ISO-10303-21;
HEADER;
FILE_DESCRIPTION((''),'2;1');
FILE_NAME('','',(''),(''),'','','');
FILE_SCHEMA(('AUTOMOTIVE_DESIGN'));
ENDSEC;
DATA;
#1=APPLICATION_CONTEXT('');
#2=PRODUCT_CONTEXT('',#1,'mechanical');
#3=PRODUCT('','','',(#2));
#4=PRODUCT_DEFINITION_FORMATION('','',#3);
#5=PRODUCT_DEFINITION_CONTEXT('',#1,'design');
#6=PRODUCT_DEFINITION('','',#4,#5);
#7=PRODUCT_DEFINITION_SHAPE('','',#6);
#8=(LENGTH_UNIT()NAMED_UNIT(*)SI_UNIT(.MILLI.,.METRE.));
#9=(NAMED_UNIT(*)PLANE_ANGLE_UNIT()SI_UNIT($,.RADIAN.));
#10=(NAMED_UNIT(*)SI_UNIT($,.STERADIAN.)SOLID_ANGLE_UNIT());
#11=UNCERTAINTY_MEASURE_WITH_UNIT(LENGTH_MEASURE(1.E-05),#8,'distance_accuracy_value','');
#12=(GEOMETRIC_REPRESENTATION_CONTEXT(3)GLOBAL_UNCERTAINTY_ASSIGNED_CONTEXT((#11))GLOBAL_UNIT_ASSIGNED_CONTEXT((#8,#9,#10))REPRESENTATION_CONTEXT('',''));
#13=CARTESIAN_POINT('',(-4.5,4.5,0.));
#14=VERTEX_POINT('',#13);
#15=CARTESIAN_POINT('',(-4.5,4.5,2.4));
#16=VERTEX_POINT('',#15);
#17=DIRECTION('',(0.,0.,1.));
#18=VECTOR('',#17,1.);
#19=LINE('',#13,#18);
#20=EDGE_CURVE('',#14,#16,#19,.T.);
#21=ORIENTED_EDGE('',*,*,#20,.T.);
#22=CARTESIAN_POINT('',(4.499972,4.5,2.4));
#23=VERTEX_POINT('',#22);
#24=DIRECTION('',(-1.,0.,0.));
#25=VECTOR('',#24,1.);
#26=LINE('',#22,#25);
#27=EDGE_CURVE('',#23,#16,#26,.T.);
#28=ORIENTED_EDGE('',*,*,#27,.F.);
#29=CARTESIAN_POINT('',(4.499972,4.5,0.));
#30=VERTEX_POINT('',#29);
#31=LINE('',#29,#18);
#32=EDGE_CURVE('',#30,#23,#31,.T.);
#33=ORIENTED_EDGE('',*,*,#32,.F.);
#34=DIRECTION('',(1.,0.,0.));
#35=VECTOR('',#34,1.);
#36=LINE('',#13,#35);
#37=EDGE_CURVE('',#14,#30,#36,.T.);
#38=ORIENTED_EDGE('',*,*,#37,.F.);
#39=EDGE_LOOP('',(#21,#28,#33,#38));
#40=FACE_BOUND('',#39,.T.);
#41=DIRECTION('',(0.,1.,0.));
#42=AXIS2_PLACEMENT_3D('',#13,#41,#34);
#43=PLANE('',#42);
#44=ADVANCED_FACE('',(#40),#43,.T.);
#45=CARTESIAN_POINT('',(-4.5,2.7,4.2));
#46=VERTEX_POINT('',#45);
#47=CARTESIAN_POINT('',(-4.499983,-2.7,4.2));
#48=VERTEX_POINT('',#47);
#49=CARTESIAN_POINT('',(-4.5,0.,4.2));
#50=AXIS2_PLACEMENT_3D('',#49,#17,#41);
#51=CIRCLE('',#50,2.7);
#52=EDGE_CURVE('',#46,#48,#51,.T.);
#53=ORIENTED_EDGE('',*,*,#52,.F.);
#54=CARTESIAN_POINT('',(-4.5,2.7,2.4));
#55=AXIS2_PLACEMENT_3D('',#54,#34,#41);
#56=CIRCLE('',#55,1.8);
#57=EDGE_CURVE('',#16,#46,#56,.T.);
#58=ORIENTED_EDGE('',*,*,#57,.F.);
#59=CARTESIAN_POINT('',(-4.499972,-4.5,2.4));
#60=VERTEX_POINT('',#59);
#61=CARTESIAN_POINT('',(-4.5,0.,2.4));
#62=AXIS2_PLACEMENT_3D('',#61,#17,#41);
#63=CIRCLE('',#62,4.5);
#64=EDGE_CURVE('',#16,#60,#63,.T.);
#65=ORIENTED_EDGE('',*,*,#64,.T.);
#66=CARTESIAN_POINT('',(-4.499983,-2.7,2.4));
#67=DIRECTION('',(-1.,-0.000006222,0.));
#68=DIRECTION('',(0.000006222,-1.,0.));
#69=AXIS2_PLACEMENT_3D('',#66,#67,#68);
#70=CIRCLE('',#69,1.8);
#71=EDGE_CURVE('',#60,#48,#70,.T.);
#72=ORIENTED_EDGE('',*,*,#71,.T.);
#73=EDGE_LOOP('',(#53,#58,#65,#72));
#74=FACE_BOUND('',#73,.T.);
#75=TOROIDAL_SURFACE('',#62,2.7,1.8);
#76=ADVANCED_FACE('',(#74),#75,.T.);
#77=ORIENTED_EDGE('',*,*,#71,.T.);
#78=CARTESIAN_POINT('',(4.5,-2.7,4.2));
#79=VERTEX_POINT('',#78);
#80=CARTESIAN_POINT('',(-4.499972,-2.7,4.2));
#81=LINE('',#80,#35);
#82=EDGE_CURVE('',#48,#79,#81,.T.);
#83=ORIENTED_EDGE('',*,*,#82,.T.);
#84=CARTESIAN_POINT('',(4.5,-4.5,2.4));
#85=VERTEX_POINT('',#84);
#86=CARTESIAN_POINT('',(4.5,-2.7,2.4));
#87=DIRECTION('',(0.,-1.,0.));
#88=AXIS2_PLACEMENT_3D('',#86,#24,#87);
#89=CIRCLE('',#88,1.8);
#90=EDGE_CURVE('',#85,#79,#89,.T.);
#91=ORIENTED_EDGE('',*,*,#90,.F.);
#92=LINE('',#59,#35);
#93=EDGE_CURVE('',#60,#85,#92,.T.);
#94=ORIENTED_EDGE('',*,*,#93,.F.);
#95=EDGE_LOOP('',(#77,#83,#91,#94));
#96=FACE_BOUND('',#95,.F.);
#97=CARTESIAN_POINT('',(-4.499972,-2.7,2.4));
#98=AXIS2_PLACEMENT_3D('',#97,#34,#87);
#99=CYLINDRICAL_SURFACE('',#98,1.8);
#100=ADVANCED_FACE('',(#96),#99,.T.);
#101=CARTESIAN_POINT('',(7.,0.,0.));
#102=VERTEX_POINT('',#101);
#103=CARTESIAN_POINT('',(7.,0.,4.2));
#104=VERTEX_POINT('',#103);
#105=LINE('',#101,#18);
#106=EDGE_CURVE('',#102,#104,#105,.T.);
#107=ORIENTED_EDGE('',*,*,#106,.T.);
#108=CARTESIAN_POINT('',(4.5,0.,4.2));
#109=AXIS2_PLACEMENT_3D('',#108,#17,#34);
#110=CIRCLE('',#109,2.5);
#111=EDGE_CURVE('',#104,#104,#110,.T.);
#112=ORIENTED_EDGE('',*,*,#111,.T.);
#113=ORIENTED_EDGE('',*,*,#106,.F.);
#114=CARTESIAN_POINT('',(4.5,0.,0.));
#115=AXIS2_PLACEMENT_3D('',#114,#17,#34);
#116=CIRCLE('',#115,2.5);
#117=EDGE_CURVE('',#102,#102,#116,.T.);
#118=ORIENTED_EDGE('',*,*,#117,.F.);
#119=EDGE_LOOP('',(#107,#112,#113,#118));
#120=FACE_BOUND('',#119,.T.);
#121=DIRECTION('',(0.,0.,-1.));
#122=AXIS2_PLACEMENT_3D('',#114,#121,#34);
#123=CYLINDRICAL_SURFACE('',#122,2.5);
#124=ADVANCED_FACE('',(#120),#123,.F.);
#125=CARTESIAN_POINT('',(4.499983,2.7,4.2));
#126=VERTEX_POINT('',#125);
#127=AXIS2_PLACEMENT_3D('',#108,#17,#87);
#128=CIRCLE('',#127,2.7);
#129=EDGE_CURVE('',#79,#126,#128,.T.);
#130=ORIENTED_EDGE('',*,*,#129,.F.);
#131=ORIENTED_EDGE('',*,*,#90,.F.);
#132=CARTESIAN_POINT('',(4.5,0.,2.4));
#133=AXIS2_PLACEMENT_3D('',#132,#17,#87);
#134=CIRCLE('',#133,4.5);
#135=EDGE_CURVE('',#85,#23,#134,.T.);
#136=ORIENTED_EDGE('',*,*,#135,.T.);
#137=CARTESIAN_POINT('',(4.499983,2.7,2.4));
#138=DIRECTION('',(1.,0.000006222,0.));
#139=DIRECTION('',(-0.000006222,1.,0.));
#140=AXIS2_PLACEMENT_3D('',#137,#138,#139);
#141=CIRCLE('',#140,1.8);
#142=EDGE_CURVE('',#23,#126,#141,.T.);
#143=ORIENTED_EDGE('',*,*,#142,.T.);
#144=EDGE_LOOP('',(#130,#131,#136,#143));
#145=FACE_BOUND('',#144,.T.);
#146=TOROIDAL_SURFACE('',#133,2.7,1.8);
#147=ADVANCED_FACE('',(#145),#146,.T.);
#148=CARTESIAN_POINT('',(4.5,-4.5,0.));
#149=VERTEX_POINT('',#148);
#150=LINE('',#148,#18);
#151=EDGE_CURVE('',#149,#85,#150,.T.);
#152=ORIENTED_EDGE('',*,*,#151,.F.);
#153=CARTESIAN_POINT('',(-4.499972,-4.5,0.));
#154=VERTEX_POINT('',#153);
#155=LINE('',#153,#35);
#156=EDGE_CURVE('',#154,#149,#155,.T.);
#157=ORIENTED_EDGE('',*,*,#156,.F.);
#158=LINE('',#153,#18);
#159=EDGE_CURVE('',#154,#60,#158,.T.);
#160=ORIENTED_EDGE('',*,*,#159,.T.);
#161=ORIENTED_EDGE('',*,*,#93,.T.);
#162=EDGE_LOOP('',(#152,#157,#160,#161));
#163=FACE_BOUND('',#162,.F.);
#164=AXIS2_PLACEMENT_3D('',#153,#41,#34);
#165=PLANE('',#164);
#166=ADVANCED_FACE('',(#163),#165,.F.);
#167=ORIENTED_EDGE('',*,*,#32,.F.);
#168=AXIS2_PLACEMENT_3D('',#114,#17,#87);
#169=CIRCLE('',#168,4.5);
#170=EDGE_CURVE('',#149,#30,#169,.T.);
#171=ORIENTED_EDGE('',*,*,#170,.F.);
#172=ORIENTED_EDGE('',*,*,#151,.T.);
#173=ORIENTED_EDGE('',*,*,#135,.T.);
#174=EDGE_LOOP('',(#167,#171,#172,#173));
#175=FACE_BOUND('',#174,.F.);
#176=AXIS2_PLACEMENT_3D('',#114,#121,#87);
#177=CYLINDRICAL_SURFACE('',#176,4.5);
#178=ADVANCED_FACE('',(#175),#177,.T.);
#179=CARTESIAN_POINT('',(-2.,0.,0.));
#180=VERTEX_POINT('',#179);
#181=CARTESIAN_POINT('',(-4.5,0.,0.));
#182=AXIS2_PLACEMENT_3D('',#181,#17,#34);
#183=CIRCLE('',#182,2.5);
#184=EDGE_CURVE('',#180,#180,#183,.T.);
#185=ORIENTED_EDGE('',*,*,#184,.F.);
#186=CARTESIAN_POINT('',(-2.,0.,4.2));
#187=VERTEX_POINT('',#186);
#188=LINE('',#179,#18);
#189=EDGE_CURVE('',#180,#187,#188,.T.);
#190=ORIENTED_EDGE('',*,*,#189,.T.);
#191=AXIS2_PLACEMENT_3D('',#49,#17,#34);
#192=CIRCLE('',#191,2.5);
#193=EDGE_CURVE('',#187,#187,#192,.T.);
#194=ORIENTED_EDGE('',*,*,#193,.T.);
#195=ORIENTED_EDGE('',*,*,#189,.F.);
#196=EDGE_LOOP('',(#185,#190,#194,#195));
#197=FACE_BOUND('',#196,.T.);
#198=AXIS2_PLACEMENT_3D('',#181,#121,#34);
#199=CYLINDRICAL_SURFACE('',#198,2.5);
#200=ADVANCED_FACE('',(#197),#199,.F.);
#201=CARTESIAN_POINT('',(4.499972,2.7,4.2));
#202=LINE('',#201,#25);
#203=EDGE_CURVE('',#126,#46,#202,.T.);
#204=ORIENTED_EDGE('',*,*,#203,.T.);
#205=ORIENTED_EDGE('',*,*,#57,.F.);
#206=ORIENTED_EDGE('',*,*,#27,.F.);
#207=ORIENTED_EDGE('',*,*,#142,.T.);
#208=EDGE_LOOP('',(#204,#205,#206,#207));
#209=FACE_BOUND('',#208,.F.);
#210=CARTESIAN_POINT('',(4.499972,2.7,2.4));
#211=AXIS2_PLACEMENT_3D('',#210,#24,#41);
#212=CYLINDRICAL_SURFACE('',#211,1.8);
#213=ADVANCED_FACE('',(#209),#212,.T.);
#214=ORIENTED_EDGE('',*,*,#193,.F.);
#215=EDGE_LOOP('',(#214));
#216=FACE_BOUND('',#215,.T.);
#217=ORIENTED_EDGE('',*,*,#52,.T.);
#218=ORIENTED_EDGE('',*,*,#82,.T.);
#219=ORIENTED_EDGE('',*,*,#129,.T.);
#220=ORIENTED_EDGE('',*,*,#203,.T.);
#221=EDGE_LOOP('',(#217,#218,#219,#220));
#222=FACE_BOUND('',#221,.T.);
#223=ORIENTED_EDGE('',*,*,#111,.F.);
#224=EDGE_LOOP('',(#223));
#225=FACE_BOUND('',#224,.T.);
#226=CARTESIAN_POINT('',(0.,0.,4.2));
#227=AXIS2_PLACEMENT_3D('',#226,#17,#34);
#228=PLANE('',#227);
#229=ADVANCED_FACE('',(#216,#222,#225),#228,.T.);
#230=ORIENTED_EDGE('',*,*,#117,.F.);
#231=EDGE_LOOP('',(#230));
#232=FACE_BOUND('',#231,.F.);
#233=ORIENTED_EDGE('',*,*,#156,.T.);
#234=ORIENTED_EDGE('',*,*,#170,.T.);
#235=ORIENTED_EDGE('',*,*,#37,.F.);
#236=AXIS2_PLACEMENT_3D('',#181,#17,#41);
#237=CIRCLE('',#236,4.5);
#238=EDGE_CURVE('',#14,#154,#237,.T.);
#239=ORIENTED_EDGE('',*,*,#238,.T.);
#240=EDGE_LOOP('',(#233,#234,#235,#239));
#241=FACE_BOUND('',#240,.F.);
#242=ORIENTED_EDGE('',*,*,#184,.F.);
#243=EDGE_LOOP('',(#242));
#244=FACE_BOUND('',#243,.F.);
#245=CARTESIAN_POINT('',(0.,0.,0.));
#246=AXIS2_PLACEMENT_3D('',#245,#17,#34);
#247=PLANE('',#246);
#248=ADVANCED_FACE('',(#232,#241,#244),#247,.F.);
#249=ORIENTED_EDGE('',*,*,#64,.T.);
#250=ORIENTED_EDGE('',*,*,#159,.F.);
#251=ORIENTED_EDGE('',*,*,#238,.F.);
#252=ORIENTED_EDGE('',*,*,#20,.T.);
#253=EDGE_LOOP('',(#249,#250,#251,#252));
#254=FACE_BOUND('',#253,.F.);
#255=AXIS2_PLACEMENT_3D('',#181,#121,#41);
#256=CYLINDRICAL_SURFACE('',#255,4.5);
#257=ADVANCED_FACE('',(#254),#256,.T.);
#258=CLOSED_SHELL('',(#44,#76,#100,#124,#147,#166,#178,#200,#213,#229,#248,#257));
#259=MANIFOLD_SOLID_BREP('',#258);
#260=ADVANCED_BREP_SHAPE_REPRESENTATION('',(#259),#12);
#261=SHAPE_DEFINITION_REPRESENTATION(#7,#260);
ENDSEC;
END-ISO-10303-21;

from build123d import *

# Parameters (mm, degrees)
SKETCH_R  = 2.5
PAD_DEPTH = 4.2
FILLET_R  = 1.8


with BuildPart() as part:
    # Sketch → Pad (new body)
    with BuildSketch(Plane.XY):
        with BuildLine():
            ThreePointArc((-4.5, 4.5), (-9, -1.4e-05), (-4.499972, -4.5))
            Line((-4.499972, -4.5), (4.5, -4.5))
            ThreePointArc((4.5, -4.5), (9, 1.4e-05), (4.499972, 4.5))
            Line((-4.5, 4.5), (4.499972, 4.5))
        make_face()
        with Locations((-4.5, 0)):
            Circle(SKETCH_R, mode=Mode.SUBTRACT)
        with Locations((4.5, 0)):
            Circle(SKETCH_R, mode=Mode.SUBTRACT)
    extrude(amount=PAD_DEPTH)

    # Fillet
    fillet_edges = [part.edges().sort_by_distance(p)[0] for p in [
        (9, 1.4e-05, 4.2),
    ]]
    fillet(fillet_edges, radius=FILLET_R)


solid = part.part
